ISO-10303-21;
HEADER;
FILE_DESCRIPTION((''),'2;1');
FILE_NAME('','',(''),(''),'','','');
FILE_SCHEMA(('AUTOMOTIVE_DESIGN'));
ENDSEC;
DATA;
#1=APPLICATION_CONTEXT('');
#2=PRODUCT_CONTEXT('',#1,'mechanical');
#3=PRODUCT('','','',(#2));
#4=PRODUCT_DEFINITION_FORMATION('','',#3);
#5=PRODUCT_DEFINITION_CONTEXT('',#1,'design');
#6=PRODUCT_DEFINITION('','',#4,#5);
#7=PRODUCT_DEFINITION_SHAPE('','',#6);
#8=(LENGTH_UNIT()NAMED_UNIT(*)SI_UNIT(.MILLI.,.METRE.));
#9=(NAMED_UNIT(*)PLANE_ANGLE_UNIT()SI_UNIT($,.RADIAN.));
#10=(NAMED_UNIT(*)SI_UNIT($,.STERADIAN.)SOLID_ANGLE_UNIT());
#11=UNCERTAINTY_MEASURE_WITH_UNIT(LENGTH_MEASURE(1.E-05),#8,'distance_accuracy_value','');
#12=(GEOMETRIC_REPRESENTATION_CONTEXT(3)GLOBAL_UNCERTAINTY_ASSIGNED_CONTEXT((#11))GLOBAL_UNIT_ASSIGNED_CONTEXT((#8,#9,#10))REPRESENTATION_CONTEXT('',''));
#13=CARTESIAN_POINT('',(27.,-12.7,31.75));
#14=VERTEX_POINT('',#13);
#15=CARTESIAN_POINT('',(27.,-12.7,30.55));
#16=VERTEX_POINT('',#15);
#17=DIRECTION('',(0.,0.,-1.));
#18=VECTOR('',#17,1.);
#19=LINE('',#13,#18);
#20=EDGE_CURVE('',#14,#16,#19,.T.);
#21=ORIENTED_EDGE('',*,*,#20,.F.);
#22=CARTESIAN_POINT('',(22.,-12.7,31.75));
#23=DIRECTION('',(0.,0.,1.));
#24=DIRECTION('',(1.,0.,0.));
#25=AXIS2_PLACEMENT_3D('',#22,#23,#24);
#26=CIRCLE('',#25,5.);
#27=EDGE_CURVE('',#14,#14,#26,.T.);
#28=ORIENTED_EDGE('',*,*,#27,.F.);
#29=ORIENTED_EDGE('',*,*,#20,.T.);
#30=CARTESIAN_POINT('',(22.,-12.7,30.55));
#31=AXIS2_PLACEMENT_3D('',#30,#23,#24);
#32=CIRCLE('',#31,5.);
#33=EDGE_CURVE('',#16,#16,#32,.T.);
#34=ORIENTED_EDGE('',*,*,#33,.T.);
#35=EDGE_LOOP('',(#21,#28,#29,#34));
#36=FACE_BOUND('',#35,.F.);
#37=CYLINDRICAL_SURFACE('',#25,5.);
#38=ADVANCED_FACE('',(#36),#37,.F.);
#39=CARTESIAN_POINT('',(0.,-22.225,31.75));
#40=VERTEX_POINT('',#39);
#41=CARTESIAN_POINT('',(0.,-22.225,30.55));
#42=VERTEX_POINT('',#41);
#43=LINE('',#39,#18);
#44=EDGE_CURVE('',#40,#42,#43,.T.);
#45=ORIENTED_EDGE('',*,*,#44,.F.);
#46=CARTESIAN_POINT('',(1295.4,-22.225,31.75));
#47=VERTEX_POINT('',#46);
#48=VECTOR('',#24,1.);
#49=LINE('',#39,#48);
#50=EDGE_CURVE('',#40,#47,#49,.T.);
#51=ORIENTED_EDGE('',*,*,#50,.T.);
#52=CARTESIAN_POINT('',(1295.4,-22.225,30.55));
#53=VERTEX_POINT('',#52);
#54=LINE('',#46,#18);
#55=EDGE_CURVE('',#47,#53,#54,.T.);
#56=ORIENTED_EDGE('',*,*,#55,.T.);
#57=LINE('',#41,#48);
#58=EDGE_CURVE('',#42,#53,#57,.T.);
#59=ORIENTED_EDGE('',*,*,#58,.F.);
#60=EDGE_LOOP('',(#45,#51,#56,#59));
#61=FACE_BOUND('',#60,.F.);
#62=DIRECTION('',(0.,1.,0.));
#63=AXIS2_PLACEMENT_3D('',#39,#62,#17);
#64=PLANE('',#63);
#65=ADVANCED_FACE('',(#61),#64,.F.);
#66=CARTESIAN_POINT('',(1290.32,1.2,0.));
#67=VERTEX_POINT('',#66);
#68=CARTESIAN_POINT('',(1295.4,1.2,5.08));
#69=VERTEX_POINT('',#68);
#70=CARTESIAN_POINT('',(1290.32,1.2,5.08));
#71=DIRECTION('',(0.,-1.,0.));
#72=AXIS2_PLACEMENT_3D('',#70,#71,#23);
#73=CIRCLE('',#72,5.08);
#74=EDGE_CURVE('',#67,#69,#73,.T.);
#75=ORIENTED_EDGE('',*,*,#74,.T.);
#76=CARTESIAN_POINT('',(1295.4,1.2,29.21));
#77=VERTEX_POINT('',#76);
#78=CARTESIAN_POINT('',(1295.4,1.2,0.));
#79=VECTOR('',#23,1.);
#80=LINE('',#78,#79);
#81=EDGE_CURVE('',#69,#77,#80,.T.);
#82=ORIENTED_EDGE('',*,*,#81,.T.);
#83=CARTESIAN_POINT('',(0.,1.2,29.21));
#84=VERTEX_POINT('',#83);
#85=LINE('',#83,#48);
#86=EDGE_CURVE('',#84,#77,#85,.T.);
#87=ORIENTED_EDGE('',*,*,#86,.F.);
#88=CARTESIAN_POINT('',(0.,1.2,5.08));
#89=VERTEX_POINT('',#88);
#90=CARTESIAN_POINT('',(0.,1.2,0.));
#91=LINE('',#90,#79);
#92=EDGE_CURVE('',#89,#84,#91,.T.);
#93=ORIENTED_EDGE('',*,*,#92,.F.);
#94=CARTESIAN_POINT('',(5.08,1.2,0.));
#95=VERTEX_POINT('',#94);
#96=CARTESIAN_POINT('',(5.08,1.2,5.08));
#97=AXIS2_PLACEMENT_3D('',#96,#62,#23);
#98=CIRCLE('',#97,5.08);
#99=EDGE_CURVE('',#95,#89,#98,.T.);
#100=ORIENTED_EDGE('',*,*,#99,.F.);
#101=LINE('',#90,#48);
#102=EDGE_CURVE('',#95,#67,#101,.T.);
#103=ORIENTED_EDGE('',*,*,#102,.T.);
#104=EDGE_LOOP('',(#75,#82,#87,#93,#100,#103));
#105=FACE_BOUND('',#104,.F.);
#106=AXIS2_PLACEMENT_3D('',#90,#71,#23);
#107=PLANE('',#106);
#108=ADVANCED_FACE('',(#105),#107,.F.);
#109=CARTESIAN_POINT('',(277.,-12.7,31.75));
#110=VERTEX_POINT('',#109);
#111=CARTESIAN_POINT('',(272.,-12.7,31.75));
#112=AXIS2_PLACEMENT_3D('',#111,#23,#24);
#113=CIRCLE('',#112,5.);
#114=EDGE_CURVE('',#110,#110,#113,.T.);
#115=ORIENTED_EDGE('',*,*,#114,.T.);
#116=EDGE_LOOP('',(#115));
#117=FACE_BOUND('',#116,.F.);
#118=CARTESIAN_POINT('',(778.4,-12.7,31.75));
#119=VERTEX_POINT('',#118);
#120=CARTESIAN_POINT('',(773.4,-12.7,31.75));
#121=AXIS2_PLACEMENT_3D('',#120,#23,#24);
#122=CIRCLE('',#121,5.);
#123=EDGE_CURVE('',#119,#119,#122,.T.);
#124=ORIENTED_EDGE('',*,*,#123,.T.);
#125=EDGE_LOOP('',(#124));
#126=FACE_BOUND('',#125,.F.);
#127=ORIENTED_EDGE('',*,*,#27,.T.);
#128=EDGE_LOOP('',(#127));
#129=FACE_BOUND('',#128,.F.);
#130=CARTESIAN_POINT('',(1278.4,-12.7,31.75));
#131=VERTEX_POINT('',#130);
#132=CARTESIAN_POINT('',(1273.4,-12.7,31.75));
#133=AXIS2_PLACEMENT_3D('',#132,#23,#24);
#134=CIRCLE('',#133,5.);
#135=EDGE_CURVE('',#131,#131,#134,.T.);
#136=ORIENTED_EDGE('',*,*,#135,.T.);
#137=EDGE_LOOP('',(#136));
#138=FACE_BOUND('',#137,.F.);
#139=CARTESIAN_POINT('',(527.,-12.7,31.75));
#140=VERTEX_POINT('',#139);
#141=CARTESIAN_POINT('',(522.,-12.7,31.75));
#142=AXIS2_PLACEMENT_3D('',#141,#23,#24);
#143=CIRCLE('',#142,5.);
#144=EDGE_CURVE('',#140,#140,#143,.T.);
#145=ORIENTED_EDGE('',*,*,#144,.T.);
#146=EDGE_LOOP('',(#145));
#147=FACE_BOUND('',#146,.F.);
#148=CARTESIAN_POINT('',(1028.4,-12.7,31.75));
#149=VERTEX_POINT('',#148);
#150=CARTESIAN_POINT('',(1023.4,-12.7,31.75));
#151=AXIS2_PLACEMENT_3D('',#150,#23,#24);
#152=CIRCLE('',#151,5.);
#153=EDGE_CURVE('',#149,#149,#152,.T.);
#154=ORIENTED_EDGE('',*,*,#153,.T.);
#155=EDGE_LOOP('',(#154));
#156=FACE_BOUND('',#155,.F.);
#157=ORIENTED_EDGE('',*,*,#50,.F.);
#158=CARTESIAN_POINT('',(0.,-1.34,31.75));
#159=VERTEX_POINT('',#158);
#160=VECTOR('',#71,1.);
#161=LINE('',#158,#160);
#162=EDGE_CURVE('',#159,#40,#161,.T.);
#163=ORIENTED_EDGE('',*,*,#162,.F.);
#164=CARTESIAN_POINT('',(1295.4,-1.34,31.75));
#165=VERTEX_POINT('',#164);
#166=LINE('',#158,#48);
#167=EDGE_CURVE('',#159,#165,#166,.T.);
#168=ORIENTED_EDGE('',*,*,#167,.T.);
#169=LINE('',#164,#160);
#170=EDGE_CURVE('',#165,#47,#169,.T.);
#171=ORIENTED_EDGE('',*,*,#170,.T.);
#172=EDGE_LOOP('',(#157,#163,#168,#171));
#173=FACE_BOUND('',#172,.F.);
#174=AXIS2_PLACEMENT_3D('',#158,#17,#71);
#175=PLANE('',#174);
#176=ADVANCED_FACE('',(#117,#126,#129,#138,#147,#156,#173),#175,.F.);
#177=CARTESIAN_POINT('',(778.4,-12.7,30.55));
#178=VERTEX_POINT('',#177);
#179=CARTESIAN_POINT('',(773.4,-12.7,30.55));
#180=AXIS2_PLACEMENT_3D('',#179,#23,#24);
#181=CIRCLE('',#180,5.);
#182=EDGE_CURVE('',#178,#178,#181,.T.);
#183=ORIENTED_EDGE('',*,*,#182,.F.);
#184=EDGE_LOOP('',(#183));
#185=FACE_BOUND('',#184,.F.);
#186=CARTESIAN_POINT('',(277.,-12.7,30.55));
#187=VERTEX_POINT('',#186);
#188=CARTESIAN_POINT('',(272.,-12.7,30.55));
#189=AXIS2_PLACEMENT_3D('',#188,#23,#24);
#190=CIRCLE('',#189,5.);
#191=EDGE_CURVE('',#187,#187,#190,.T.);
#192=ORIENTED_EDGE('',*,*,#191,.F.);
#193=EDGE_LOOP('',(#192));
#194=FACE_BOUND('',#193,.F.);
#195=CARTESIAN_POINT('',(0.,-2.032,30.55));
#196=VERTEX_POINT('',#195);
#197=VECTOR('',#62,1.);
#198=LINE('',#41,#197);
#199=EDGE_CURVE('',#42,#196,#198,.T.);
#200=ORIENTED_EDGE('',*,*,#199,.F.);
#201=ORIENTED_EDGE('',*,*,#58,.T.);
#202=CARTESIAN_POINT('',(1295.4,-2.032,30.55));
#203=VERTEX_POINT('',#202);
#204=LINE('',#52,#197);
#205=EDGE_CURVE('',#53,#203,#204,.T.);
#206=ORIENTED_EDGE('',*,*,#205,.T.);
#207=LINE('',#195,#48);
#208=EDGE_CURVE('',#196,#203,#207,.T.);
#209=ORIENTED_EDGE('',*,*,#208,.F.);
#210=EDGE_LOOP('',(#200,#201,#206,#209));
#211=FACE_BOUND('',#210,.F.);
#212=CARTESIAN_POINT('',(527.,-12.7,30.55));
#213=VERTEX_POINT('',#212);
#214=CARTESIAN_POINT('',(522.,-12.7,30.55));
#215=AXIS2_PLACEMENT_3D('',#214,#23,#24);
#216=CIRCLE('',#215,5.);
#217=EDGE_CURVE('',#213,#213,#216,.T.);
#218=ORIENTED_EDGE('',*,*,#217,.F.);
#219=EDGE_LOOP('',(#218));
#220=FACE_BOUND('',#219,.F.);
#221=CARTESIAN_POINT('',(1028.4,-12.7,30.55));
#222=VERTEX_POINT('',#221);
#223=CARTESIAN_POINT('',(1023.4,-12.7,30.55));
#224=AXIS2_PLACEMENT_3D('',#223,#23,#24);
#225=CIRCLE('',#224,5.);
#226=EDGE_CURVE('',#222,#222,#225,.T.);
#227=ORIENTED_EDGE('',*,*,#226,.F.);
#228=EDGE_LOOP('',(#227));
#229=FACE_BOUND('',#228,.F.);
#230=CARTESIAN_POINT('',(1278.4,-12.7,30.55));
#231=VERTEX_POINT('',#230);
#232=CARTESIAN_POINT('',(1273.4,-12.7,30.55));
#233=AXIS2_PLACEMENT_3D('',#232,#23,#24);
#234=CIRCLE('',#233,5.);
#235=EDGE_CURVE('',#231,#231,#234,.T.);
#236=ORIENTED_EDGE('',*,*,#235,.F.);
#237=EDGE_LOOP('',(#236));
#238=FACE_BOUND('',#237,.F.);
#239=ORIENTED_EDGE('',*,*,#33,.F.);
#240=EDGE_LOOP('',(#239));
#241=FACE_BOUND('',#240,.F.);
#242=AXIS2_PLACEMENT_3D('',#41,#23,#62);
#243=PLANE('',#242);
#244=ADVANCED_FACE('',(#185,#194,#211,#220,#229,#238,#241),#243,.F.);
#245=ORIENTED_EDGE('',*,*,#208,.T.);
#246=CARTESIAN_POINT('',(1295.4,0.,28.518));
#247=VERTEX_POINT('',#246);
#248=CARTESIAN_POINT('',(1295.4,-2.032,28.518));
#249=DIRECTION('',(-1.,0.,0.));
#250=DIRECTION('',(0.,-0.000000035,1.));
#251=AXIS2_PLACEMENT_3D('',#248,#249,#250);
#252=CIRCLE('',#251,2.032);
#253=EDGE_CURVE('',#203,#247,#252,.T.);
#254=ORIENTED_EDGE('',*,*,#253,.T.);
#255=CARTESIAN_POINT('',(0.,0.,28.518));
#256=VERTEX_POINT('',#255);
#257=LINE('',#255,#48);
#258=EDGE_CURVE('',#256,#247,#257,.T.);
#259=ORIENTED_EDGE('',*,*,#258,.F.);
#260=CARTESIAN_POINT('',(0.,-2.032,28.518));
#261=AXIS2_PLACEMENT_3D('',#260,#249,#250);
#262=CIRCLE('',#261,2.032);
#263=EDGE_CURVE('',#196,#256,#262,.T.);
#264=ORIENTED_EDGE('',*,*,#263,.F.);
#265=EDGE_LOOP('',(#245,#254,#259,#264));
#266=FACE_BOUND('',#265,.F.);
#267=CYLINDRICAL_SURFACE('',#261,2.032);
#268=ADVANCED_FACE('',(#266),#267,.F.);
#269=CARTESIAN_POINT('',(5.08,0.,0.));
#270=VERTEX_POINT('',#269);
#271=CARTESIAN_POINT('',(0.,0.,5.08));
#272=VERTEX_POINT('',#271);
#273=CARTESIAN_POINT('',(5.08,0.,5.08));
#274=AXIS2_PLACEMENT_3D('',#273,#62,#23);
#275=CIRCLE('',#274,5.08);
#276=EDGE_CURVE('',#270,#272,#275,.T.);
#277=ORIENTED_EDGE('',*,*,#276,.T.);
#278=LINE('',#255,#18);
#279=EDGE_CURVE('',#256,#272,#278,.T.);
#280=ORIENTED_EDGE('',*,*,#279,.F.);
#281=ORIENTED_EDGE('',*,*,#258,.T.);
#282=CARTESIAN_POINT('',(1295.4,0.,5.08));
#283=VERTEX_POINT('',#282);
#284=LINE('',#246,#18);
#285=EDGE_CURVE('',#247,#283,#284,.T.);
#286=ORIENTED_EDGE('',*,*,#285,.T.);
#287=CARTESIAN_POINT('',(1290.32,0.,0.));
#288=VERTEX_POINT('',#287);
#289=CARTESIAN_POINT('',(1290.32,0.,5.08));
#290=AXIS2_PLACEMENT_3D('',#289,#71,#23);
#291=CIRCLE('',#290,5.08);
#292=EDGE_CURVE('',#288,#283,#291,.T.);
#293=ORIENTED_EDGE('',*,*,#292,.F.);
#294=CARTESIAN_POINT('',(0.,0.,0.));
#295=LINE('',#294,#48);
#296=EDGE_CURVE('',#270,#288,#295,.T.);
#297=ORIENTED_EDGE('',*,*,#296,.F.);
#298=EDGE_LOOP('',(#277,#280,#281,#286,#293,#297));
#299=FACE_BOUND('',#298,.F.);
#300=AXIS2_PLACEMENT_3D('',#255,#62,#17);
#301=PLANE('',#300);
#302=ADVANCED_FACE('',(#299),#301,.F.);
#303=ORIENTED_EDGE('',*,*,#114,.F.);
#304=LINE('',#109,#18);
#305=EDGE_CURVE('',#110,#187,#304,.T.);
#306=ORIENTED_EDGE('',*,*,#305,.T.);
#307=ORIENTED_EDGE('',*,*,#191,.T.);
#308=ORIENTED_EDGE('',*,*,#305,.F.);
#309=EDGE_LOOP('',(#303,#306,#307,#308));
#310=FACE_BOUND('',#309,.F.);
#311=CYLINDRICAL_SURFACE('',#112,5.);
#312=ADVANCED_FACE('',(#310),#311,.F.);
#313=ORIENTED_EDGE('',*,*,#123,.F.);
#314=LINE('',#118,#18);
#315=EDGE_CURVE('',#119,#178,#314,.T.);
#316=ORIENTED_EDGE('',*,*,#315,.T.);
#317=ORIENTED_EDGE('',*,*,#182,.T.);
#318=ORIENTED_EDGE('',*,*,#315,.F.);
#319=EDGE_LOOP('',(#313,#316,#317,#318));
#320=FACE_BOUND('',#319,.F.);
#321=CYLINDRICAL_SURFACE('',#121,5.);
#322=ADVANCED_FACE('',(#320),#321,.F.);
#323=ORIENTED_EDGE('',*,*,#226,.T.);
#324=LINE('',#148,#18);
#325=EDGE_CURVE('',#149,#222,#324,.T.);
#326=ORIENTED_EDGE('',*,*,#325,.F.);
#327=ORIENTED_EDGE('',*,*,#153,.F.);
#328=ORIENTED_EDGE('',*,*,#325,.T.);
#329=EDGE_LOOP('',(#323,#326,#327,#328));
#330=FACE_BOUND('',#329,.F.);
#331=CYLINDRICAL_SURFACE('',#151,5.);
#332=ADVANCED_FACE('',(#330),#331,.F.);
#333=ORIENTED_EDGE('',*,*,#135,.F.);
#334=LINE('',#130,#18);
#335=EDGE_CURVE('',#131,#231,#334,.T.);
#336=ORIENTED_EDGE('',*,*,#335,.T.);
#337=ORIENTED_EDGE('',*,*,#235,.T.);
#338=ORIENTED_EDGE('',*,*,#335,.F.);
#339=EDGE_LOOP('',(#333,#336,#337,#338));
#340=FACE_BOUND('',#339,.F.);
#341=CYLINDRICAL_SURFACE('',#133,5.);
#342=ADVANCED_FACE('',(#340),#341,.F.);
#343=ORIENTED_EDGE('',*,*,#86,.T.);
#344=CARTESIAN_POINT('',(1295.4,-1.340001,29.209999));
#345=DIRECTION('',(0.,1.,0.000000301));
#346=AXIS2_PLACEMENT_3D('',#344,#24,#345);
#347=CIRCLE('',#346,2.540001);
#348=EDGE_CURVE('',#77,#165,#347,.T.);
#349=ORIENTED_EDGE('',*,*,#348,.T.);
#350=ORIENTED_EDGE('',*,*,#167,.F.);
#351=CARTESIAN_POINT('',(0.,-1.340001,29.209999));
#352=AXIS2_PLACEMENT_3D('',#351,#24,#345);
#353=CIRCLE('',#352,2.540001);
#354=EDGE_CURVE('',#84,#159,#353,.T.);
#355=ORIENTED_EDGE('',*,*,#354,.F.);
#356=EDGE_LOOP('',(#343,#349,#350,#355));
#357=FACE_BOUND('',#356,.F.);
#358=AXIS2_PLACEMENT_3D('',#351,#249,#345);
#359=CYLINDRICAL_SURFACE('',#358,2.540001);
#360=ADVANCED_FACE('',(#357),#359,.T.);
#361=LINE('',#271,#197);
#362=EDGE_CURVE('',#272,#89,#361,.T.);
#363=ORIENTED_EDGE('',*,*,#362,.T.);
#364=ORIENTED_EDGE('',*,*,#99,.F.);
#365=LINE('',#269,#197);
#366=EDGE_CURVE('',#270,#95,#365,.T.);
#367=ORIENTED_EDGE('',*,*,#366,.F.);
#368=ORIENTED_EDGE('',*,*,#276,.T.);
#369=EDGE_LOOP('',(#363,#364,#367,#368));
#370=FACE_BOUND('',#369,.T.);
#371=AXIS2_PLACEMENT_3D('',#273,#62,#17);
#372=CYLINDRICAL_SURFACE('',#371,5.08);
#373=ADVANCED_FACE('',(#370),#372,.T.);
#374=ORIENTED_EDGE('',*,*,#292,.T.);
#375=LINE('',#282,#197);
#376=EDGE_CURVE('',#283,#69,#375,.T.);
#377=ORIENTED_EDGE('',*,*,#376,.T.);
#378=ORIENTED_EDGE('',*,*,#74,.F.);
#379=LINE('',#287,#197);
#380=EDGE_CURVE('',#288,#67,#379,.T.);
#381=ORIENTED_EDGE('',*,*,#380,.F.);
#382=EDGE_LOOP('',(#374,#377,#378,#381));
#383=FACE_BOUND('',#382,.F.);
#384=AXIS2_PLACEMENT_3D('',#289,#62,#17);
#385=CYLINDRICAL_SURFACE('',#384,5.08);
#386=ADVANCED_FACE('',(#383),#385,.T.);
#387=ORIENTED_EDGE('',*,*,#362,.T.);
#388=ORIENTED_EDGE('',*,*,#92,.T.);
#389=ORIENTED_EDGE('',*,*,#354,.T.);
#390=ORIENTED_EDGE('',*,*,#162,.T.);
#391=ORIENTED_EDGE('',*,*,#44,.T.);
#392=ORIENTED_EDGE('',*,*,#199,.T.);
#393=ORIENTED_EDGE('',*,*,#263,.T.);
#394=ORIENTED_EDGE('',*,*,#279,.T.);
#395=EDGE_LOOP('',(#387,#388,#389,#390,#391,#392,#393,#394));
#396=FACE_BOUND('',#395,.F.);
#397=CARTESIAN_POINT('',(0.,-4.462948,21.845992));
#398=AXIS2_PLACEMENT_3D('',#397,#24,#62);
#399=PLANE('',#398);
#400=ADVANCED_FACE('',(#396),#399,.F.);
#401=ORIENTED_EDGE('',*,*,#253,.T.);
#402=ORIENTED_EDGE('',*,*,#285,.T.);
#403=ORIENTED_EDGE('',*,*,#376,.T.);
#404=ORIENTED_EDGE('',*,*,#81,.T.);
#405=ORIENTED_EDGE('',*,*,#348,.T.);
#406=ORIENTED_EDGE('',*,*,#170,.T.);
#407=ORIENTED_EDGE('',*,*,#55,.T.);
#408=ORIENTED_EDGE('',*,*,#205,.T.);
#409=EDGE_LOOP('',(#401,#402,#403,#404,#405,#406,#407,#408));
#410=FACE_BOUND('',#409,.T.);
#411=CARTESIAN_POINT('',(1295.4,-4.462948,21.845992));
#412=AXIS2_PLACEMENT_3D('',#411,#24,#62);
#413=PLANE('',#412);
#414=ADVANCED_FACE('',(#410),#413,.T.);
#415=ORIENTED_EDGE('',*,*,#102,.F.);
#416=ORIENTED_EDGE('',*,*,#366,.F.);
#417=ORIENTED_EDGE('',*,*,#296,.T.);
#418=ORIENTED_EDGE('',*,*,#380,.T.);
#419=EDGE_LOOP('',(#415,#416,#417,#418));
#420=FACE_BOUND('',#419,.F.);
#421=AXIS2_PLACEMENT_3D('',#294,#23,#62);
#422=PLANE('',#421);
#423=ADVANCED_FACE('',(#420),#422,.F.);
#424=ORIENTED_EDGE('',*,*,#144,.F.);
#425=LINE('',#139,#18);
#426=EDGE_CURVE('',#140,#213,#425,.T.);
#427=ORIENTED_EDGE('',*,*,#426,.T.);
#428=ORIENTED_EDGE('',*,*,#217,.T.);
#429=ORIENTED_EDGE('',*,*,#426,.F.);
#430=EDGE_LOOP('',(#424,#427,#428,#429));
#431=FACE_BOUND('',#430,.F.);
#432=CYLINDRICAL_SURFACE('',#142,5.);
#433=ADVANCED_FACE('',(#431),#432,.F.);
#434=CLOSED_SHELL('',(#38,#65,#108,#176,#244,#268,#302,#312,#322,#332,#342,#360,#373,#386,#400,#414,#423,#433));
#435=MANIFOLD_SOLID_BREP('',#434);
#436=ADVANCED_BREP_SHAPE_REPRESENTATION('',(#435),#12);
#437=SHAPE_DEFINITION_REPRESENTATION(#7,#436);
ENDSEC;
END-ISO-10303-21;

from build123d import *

# Parameters (mm, degrees)
F1_DEPTH = 1295.4
F2_R     = 5
F3_DEPTH = 25.4
F4_R     = 5.08


with BuildPart() as f1:
    # F0 (on Right) → F1 (new body)
    with BuildSketch(Plane.YZ):
        with BuildLine():
            Line((0, 28.518), (0, 0))
            Line((0, 0), (1.2, 0))
            Line((1.2, 0), (1.2, 29.21))
            ThreePointArc((1.2, 29.21), (0.456051, 31.006051), (-1.34, 31.75))
            Line((-1.34, 31.75), (-22.225, 31.75))
            Line((-22.225, 31.75), (-22.225, 30.55))
            Line((-22.225, 30.55), (-2.032, 30.55))
            ThreePointArc((-2.032, 30.55), (-0.595159, 29.954841), (0, 28.518))
        make_face()
    extrude(amount=F1_DEPTH)

    # F2 (on face) → F3 (cut)
    with BuildSketch(Plane.XY.offset(31.75)):
        with Locations((22, -12.7)):
            Circle(F2_R)
        with Locations((272, -12.7)):
            Circle(F2_R)
        with Locations((522, -12.7)):
            Circle(F2_R)
        with Locations((1273.4, -12.7)):
            Circle(F2_R)
        with Locations((1023.4, -12.7)):
            Circle(F2_R)
        with Locations((773.4, -12.7)):
            Circle(F2_R)
    extrude(amount=-F3_DEPTH, mode=Mode.SUBTRACT)

    # F4
    f4_edges = [f1.edges().sort_by_distance(p)[0] for p in [
        (1295.4, 0.6, 0),
        (0, 0.6, 0),
    ]]
    fillet(f4_edges, radius=F4_R)


solid = f1.part
